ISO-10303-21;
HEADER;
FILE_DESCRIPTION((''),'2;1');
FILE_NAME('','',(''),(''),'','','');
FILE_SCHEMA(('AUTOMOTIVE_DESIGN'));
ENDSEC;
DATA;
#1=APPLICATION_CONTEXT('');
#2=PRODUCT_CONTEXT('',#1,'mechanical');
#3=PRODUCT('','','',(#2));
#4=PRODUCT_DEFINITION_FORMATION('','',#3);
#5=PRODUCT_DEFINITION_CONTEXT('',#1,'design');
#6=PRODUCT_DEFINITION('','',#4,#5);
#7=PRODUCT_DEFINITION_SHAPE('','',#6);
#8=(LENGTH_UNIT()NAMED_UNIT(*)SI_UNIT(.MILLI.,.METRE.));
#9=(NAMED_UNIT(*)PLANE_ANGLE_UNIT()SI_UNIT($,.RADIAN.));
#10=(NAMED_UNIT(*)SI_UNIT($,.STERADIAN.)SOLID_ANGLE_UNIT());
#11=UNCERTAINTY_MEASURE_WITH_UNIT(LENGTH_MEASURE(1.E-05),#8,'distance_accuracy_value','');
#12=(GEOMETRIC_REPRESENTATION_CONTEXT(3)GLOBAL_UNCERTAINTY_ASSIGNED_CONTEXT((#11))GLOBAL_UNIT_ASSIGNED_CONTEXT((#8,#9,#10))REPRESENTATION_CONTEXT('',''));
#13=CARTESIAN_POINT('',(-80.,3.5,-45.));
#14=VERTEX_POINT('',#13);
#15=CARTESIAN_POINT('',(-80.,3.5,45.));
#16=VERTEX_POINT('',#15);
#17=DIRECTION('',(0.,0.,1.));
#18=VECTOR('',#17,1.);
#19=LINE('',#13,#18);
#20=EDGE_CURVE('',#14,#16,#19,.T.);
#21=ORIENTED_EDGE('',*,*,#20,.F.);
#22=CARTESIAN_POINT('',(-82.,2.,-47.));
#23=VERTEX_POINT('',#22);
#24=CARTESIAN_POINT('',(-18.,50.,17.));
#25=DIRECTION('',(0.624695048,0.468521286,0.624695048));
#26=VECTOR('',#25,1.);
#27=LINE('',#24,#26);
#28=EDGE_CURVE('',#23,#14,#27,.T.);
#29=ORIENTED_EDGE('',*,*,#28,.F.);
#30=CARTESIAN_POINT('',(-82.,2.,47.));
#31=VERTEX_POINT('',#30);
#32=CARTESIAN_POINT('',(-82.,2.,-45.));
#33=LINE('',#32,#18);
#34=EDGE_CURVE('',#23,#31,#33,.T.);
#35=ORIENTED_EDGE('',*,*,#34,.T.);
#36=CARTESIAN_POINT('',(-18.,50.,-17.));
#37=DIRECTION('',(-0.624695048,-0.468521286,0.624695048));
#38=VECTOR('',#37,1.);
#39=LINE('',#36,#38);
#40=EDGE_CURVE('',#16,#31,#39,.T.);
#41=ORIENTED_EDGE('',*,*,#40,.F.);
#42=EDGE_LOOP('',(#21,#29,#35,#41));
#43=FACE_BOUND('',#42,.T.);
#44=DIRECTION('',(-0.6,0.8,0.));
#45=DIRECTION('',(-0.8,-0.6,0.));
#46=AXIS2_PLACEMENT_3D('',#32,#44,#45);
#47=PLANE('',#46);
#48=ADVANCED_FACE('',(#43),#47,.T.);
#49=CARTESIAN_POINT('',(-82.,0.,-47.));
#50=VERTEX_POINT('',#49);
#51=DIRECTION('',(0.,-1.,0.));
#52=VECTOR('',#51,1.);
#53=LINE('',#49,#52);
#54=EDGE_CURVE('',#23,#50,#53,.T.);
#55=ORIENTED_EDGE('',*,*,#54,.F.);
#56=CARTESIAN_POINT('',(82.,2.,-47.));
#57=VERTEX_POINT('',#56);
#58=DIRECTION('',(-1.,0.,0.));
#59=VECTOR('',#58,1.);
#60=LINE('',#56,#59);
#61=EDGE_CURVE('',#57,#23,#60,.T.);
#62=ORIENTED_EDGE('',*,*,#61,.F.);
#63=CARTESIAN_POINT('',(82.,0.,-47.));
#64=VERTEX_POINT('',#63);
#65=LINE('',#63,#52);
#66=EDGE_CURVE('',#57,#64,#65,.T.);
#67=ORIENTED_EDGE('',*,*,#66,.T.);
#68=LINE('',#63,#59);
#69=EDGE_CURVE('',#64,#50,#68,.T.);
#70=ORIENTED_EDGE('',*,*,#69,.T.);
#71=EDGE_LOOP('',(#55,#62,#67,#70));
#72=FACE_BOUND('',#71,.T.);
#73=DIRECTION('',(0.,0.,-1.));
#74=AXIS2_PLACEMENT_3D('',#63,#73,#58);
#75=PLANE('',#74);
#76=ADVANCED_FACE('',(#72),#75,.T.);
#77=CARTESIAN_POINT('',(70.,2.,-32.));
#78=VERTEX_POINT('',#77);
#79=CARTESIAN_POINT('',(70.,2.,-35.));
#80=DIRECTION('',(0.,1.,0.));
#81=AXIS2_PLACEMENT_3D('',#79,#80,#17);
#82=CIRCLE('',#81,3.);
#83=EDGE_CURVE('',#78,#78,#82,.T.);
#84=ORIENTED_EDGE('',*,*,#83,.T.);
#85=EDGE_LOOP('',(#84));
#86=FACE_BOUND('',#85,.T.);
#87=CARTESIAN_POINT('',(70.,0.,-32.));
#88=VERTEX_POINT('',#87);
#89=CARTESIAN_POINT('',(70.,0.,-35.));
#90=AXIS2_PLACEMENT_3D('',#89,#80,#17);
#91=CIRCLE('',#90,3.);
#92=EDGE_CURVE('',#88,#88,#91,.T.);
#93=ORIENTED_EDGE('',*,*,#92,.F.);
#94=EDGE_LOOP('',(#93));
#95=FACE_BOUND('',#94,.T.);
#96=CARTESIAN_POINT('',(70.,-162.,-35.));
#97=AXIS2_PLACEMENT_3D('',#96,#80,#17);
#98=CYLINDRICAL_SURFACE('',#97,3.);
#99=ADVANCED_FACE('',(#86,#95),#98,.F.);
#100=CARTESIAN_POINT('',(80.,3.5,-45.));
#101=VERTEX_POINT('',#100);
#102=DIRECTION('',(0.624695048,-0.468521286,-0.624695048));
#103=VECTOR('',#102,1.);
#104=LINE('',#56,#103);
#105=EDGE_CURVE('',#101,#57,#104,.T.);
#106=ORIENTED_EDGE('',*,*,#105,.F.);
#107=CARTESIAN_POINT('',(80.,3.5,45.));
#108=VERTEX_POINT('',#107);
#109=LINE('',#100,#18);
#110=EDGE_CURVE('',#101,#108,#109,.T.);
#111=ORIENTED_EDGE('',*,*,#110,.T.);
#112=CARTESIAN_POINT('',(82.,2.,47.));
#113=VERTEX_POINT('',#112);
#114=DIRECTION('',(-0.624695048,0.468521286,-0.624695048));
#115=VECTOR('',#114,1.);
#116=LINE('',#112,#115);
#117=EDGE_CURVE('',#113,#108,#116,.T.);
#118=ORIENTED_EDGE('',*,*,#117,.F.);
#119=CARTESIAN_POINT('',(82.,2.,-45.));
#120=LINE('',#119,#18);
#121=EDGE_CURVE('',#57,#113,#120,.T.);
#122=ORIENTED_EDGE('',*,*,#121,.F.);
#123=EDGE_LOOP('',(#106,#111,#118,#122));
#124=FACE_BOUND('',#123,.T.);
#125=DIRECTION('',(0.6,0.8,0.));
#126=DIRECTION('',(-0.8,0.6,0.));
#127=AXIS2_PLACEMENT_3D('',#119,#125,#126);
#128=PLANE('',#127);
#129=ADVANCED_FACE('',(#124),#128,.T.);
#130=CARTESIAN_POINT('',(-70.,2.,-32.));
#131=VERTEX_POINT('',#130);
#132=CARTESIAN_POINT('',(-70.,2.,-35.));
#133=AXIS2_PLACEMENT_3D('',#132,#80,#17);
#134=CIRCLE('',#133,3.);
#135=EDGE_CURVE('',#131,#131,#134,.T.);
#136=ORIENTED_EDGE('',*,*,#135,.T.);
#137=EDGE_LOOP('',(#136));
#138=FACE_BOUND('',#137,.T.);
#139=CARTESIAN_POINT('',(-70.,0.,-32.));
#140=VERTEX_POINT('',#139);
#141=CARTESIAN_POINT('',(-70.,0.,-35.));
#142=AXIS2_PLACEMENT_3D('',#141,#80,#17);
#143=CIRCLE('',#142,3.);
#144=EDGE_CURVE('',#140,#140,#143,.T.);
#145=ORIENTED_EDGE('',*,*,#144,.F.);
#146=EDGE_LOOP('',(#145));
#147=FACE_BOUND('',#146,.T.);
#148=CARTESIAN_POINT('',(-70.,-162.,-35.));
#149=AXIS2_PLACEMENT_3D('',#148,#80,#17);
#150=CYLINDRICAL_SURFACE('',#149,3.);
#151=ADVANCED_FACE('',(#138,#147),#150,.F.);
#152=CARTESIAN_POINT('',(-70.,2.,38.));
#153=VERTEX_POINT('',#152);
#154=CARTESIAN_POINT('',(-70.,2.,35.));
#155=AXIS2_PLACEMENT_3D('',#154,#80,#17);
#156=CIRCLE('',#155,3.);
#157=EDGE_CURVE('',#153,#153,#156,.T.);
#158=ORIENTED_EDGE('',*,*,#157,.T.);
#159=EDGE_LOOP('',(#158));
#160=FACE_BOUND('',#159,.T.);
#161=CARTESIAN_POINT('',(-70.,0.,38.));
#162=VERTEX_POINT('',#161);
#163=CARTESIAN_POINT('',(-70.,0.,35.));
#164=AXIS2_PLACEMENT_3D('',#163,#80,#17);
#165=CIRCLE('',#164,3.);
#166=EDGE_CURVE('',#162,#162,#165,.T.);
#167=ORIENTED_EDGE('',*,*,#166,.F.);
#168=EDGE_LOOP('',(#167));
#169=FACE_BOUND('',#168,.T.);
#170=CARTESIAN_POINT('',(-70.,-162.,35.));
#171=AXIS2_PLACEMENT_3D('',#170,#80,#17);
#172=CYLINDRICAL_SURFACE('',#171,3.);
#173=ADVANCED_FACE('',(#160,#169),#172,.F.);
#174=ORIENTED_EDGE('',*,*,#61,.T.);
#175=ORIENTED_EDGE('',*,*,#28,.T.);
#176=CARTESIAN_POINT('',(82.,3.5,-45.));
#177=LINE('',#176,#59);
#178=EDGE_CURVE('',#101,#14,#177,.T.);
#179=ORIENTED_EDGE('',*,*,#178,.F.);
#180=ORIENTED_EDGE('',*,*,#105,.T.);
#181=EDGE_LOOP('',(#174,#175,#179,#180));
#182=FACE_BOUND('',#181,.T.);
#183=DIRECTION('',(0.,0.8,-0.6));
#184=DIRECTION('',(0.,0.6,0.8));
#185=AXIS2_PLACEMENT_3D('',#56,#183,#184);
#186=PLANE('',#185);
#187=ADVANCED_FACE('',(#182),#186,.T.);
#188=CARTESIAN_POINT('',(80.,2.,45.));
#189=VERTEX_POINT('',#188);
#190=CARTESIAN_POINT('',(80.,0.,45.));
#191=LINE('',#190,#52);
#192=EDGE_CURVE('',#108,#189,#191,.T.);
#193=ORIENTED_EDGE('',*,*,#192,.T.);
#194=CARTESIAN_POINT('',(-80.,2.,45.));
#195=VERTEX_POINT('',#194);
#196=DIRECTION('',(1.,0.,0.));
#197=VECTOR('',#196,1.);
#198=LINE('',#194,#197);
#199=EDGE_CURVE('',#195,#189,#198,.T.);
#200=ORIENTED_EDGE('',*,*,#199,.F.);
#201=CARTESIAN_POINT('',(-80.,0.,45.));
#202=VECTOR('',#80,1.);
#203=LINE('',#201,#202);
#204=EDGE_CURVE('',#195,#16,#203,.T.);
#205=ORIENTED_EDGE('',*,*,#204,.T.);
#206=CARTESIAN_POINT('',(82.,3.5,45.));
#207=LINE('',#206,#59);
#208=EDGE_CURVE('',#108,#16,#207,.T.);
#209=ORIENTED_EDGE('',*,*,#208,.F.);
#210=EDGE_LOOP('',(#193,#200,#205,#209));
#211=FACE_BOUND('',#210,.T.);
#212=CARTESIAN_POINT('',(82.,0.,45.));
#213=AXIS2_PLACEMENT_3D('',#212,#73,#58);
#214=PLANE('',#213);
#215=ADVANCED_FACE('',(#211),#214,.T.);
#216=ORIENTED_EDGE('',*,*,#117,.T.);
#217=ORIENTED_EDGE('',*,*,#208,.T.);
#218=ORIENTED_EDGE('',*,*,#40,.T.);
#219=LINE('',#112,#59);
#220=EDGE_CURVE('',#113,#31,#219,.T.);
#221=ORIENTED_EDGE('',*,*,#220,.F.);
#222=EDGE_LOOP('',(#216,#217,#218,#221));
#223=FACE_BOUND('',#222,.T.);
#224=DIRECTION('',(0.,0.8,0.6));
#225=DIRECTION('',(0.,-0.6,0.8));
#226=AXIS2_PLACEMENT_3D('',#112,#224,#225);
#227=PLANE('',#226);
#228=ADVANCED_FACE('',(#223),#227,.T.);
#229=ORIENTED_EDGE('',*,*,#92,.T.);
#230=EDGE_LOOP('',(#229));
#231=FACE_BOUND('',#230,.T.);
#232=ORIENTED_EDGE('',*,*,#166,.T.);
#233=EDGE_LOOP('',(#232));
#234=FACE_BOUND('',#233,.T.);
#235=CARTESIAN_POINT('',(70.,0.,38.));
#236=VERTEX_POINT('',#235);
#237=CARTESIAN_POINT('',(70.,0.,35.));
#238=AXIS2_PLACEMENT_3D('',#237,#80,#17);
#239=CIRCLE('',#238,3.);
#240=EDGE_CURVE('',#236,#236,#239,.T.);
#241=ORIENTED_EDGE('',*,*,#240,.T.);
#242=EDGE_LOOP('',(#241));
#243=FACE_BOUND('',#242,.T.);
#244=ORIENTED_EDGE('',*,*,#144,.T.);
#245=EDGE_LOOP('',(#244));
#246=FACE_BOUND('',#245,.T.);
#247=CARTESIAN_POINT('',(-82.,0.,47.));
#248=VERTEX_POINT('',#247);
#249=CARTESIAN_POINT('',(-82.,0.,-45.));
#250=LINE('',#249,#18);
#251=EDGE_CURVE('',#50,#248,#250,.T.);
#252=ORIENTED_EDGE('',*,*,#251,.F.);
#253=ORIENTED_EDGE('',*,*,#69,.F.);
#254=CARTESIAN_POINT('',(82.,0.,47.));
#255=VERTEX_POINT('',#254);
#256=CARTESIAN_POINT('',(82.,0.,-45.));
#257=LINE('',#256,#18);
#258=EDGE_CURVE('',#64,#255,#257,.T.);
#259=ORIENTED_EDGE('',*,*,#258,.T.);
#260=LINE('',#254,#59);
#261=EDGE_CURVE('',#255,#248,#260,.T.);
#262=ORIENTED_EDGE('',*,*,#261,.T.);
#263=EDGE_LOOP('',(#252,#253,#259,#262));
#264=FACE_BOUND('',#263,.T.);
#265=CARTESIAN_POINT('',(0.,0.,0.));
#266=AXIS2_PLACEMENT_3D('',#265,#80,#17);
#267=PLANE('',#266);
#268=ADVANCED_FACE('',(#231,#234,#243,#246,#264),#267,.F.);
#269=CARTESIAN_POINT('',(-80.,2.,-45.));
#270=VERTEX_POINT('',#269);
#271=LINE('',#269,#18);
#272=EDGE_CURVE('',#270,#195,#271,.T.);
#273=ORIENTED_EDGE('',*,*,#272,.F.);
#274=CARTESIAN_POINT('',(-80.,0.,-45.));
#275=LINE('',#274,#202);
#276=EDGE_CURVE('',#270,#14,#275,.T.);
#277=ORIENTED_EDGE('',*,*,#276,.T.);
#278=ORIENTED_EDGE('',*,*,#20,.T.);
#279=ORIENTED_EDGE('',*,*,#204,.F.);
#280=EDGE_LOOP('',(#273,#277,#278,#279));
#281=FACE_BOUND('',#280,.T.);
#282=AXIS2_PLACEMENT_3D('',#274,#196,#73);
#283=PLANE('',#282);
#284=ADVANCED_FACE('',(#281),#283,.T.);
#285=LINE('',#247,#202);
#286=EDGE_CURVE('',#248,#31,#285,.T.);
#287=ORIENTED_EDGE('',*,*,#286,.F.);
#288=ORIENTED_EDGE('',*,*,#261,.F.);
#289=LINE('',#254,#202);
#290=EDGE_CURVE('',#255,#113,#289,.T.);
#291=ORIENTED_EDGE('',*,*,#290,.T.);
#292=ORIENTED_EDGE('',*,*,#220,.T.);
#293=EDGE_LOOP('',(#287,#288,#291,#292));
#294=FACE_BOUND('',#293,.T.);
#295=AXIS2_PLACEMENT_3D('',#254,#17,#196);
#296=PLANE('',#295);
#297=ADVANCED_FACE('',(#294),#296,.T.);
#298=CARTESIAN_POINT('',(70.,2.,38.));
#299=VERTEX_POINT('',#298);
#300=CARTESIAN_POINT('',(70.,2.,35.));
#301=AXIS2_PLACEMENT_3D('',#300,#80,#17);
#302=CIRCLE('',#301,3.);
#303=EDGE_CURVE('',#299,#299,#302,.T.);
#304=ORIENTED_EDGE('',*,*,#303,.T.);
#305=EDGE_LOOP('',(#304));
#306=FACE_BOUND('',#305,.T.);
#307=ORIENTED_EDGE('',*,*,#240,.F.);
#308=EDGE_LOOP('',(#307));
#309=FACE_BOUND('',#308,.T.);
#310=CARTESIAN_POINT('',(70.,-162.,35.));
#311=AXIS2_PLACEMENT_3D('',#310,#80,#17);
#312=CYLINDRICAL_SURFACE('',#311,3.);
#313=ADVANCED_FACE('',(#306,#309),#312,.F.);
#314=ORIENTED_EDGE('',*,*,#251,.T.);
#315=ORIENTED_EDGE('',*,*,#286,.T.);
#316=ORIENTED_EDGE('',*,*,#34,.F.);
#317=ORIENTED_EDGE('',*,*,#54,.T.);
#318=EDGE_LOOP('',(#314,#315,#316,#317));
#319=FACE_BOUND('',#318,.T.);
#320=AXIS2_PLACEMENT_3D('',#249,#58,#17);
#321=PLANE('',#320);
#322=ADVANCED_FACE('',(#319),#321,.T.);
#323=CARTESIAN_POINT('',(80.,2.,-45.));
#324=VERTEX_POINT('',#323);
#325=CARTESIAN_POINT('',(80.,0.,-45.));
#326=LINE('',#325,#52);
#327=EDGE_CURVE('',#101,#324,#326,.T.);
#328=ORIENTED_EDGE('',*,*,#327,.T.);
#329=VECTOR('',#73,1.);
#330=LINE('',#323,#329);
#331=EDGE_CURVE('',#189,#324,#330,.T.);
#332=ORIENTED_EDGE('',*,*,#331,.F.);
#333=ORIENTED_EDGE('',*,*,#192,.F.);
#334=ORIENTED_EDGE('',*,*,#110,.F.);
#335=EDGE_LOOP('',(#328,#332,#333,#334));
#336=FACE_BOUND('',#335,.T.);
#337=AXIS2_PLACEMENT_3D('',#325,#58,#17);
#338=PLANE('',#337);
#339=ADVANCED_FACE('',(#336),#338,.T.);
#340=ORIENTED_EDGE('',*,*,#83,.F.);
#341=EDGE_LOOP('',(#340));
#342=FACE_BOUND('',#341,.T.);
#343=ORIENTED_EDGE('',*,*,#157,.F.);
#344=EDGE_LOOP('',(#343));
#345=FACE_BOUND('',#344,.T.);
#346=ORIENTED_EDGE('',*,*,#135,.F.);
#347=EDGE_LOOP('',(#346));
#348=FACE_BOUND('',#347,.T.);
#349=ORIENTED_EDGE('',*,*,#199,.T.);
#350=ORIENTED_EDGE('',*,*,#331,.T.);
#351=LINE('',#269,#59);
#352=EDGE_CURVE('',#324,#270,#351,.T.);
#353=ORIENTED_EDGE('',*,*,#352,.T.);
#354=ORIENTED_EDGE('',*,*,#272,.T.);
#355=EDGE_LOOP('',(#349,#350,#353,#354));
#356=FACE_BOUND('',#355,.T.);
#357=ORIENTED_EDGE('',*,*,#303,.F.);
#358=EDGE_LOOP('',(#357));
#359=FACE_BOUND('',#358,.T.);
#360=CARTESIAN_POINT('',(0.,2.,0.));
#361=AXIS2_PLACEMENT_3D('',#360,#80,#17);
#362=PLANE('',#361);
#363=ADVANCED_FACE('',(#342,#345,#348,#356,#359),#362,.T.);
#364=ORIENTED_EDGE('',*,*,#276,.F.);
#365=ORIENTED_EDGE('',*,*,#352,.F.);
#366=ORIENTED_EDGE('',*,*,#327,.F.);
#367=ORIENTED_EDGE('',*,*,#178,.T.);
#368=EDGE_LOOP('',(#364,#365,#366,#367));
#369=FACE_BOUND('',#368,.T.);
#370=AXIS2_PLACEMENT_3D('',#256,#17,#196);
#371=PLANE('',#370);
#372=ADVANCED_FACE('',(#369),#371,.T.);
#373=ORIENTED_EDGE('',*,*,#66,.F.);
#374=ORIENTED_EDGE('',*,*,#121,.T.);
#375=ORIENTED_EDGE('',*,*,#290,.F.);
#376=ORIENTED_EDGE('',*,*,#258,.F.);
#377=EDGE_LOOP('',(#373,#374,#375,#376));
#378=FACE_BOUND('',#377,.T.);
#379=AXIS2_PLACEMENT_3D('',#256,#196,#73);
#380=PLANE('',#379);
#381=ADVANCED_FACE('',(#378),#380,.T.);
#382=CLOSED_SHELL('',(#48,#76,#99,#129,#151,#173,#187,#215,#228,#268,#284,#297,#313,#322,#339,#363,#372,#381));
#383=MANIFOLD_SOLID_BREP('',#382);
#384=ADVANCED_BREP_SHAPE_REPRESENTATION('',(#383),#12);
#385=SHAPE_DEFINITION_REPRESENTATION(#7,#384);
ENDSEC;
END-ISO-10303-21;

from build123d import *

# Parameters (mm, degrees)
SKETCH1_W               = 160
SKETCH1_H               = 90
BOSS_EXTRUDE1_DEPTH     = 2
BOSS_EXTRUDE2_DEPTH     = 90
BOSS_EXTRUDE5_DEPTH     = 164
CUT_EXTRUDE1_DEPTH      = 164
CUT_EXTRUDE1_DEPTH_BACK = 164
SKETCH5_R               = 3
CUT_EXTRUDE2_DEPTH      = 164


with BuildPart() as part:
    # Sketch1 → Boss-Extrude1 (new body)
    with BuildSketch(Plane(origin=(0, 0, 0), x_dir=(1, 0, 0), z_dir=(0, 1, 0))):
        Rectangle(SKETCH1_W, SKETCH1_H)
    extrude(amount=BOSS_EXTRUDE1_DEPTH)

    # Sketch2 → Boss-Extrude2 (add)
    with BuildSketch(Plane.XY.offset(45)):
        Polygon((-82, 0), (-80, 0), (-80, 3.5), (-82, 2), align=None)
        Polygon((80, 0), (82, 0), (82, 2), (80, 3.5), align=None)
    extrude(amount=-BOSS_EXTRUDE2_DEPTH)

    # Sketch3 → Boss-Extrude5 (add)
    with BuildSketch(Plane.ZY.offset(82)):
        Polygon((-47, 0), (-45, 0), (-45, 3.5), (-47, 2), align=None)
        Polygon((45, 0), (45, 3.5), (47, 2), (47, 0), align=None)
    extrude(amount=-BOSS_EXTRUDE5_DEPTH)

    # Sketch4 → Cut-Extrude1 (cut, two sides: drawn at the far end of the back side and taken through both)
    with BuildSketch(Plane.XY.offset(-45).offset(-CUT_EXTRUDE1_DEPTH_BACK)):
        Polygon((-80, 3.5), (-82, 2), (-82, 3.5), align=None)
        Polygon((80, 3.5), (82, 3.5), (82, 2), align=None)
    extrude(amount=CUT_EXTRUDE1_DEPTH + CUT_EXTRUDE1_DEPTH_BACK, mode=Mode.SUBTRACT)

    # Sketch5 → Cut-Extrude2 (cut)
    with BuildSketch(Plane(origin=(0, 2, 0), x_dir=(1, 0, 0), z_dir=(0, 1, 0))):
        with Locations(Location((-70, 35, 0), (0, 0, 270))):
            Circle(SKETCH5_R)
        with Locations(Location((70, 35, 0), (0, 0, 270))):
            Circle(SKETCH5_R)
        with Locations(Location((70, -35, 0), (0, 0, 270))):
            Circle(SKETCH5_R)
        with Locations(Location((-70, -35, 0), (0, 0, 270))):
            Circle(SKETCH5_R)
    extrude(amount=-CUT_EXTRUDE2_DEPTH, mode=Mode.SUBTRACT)


solid = part.part
